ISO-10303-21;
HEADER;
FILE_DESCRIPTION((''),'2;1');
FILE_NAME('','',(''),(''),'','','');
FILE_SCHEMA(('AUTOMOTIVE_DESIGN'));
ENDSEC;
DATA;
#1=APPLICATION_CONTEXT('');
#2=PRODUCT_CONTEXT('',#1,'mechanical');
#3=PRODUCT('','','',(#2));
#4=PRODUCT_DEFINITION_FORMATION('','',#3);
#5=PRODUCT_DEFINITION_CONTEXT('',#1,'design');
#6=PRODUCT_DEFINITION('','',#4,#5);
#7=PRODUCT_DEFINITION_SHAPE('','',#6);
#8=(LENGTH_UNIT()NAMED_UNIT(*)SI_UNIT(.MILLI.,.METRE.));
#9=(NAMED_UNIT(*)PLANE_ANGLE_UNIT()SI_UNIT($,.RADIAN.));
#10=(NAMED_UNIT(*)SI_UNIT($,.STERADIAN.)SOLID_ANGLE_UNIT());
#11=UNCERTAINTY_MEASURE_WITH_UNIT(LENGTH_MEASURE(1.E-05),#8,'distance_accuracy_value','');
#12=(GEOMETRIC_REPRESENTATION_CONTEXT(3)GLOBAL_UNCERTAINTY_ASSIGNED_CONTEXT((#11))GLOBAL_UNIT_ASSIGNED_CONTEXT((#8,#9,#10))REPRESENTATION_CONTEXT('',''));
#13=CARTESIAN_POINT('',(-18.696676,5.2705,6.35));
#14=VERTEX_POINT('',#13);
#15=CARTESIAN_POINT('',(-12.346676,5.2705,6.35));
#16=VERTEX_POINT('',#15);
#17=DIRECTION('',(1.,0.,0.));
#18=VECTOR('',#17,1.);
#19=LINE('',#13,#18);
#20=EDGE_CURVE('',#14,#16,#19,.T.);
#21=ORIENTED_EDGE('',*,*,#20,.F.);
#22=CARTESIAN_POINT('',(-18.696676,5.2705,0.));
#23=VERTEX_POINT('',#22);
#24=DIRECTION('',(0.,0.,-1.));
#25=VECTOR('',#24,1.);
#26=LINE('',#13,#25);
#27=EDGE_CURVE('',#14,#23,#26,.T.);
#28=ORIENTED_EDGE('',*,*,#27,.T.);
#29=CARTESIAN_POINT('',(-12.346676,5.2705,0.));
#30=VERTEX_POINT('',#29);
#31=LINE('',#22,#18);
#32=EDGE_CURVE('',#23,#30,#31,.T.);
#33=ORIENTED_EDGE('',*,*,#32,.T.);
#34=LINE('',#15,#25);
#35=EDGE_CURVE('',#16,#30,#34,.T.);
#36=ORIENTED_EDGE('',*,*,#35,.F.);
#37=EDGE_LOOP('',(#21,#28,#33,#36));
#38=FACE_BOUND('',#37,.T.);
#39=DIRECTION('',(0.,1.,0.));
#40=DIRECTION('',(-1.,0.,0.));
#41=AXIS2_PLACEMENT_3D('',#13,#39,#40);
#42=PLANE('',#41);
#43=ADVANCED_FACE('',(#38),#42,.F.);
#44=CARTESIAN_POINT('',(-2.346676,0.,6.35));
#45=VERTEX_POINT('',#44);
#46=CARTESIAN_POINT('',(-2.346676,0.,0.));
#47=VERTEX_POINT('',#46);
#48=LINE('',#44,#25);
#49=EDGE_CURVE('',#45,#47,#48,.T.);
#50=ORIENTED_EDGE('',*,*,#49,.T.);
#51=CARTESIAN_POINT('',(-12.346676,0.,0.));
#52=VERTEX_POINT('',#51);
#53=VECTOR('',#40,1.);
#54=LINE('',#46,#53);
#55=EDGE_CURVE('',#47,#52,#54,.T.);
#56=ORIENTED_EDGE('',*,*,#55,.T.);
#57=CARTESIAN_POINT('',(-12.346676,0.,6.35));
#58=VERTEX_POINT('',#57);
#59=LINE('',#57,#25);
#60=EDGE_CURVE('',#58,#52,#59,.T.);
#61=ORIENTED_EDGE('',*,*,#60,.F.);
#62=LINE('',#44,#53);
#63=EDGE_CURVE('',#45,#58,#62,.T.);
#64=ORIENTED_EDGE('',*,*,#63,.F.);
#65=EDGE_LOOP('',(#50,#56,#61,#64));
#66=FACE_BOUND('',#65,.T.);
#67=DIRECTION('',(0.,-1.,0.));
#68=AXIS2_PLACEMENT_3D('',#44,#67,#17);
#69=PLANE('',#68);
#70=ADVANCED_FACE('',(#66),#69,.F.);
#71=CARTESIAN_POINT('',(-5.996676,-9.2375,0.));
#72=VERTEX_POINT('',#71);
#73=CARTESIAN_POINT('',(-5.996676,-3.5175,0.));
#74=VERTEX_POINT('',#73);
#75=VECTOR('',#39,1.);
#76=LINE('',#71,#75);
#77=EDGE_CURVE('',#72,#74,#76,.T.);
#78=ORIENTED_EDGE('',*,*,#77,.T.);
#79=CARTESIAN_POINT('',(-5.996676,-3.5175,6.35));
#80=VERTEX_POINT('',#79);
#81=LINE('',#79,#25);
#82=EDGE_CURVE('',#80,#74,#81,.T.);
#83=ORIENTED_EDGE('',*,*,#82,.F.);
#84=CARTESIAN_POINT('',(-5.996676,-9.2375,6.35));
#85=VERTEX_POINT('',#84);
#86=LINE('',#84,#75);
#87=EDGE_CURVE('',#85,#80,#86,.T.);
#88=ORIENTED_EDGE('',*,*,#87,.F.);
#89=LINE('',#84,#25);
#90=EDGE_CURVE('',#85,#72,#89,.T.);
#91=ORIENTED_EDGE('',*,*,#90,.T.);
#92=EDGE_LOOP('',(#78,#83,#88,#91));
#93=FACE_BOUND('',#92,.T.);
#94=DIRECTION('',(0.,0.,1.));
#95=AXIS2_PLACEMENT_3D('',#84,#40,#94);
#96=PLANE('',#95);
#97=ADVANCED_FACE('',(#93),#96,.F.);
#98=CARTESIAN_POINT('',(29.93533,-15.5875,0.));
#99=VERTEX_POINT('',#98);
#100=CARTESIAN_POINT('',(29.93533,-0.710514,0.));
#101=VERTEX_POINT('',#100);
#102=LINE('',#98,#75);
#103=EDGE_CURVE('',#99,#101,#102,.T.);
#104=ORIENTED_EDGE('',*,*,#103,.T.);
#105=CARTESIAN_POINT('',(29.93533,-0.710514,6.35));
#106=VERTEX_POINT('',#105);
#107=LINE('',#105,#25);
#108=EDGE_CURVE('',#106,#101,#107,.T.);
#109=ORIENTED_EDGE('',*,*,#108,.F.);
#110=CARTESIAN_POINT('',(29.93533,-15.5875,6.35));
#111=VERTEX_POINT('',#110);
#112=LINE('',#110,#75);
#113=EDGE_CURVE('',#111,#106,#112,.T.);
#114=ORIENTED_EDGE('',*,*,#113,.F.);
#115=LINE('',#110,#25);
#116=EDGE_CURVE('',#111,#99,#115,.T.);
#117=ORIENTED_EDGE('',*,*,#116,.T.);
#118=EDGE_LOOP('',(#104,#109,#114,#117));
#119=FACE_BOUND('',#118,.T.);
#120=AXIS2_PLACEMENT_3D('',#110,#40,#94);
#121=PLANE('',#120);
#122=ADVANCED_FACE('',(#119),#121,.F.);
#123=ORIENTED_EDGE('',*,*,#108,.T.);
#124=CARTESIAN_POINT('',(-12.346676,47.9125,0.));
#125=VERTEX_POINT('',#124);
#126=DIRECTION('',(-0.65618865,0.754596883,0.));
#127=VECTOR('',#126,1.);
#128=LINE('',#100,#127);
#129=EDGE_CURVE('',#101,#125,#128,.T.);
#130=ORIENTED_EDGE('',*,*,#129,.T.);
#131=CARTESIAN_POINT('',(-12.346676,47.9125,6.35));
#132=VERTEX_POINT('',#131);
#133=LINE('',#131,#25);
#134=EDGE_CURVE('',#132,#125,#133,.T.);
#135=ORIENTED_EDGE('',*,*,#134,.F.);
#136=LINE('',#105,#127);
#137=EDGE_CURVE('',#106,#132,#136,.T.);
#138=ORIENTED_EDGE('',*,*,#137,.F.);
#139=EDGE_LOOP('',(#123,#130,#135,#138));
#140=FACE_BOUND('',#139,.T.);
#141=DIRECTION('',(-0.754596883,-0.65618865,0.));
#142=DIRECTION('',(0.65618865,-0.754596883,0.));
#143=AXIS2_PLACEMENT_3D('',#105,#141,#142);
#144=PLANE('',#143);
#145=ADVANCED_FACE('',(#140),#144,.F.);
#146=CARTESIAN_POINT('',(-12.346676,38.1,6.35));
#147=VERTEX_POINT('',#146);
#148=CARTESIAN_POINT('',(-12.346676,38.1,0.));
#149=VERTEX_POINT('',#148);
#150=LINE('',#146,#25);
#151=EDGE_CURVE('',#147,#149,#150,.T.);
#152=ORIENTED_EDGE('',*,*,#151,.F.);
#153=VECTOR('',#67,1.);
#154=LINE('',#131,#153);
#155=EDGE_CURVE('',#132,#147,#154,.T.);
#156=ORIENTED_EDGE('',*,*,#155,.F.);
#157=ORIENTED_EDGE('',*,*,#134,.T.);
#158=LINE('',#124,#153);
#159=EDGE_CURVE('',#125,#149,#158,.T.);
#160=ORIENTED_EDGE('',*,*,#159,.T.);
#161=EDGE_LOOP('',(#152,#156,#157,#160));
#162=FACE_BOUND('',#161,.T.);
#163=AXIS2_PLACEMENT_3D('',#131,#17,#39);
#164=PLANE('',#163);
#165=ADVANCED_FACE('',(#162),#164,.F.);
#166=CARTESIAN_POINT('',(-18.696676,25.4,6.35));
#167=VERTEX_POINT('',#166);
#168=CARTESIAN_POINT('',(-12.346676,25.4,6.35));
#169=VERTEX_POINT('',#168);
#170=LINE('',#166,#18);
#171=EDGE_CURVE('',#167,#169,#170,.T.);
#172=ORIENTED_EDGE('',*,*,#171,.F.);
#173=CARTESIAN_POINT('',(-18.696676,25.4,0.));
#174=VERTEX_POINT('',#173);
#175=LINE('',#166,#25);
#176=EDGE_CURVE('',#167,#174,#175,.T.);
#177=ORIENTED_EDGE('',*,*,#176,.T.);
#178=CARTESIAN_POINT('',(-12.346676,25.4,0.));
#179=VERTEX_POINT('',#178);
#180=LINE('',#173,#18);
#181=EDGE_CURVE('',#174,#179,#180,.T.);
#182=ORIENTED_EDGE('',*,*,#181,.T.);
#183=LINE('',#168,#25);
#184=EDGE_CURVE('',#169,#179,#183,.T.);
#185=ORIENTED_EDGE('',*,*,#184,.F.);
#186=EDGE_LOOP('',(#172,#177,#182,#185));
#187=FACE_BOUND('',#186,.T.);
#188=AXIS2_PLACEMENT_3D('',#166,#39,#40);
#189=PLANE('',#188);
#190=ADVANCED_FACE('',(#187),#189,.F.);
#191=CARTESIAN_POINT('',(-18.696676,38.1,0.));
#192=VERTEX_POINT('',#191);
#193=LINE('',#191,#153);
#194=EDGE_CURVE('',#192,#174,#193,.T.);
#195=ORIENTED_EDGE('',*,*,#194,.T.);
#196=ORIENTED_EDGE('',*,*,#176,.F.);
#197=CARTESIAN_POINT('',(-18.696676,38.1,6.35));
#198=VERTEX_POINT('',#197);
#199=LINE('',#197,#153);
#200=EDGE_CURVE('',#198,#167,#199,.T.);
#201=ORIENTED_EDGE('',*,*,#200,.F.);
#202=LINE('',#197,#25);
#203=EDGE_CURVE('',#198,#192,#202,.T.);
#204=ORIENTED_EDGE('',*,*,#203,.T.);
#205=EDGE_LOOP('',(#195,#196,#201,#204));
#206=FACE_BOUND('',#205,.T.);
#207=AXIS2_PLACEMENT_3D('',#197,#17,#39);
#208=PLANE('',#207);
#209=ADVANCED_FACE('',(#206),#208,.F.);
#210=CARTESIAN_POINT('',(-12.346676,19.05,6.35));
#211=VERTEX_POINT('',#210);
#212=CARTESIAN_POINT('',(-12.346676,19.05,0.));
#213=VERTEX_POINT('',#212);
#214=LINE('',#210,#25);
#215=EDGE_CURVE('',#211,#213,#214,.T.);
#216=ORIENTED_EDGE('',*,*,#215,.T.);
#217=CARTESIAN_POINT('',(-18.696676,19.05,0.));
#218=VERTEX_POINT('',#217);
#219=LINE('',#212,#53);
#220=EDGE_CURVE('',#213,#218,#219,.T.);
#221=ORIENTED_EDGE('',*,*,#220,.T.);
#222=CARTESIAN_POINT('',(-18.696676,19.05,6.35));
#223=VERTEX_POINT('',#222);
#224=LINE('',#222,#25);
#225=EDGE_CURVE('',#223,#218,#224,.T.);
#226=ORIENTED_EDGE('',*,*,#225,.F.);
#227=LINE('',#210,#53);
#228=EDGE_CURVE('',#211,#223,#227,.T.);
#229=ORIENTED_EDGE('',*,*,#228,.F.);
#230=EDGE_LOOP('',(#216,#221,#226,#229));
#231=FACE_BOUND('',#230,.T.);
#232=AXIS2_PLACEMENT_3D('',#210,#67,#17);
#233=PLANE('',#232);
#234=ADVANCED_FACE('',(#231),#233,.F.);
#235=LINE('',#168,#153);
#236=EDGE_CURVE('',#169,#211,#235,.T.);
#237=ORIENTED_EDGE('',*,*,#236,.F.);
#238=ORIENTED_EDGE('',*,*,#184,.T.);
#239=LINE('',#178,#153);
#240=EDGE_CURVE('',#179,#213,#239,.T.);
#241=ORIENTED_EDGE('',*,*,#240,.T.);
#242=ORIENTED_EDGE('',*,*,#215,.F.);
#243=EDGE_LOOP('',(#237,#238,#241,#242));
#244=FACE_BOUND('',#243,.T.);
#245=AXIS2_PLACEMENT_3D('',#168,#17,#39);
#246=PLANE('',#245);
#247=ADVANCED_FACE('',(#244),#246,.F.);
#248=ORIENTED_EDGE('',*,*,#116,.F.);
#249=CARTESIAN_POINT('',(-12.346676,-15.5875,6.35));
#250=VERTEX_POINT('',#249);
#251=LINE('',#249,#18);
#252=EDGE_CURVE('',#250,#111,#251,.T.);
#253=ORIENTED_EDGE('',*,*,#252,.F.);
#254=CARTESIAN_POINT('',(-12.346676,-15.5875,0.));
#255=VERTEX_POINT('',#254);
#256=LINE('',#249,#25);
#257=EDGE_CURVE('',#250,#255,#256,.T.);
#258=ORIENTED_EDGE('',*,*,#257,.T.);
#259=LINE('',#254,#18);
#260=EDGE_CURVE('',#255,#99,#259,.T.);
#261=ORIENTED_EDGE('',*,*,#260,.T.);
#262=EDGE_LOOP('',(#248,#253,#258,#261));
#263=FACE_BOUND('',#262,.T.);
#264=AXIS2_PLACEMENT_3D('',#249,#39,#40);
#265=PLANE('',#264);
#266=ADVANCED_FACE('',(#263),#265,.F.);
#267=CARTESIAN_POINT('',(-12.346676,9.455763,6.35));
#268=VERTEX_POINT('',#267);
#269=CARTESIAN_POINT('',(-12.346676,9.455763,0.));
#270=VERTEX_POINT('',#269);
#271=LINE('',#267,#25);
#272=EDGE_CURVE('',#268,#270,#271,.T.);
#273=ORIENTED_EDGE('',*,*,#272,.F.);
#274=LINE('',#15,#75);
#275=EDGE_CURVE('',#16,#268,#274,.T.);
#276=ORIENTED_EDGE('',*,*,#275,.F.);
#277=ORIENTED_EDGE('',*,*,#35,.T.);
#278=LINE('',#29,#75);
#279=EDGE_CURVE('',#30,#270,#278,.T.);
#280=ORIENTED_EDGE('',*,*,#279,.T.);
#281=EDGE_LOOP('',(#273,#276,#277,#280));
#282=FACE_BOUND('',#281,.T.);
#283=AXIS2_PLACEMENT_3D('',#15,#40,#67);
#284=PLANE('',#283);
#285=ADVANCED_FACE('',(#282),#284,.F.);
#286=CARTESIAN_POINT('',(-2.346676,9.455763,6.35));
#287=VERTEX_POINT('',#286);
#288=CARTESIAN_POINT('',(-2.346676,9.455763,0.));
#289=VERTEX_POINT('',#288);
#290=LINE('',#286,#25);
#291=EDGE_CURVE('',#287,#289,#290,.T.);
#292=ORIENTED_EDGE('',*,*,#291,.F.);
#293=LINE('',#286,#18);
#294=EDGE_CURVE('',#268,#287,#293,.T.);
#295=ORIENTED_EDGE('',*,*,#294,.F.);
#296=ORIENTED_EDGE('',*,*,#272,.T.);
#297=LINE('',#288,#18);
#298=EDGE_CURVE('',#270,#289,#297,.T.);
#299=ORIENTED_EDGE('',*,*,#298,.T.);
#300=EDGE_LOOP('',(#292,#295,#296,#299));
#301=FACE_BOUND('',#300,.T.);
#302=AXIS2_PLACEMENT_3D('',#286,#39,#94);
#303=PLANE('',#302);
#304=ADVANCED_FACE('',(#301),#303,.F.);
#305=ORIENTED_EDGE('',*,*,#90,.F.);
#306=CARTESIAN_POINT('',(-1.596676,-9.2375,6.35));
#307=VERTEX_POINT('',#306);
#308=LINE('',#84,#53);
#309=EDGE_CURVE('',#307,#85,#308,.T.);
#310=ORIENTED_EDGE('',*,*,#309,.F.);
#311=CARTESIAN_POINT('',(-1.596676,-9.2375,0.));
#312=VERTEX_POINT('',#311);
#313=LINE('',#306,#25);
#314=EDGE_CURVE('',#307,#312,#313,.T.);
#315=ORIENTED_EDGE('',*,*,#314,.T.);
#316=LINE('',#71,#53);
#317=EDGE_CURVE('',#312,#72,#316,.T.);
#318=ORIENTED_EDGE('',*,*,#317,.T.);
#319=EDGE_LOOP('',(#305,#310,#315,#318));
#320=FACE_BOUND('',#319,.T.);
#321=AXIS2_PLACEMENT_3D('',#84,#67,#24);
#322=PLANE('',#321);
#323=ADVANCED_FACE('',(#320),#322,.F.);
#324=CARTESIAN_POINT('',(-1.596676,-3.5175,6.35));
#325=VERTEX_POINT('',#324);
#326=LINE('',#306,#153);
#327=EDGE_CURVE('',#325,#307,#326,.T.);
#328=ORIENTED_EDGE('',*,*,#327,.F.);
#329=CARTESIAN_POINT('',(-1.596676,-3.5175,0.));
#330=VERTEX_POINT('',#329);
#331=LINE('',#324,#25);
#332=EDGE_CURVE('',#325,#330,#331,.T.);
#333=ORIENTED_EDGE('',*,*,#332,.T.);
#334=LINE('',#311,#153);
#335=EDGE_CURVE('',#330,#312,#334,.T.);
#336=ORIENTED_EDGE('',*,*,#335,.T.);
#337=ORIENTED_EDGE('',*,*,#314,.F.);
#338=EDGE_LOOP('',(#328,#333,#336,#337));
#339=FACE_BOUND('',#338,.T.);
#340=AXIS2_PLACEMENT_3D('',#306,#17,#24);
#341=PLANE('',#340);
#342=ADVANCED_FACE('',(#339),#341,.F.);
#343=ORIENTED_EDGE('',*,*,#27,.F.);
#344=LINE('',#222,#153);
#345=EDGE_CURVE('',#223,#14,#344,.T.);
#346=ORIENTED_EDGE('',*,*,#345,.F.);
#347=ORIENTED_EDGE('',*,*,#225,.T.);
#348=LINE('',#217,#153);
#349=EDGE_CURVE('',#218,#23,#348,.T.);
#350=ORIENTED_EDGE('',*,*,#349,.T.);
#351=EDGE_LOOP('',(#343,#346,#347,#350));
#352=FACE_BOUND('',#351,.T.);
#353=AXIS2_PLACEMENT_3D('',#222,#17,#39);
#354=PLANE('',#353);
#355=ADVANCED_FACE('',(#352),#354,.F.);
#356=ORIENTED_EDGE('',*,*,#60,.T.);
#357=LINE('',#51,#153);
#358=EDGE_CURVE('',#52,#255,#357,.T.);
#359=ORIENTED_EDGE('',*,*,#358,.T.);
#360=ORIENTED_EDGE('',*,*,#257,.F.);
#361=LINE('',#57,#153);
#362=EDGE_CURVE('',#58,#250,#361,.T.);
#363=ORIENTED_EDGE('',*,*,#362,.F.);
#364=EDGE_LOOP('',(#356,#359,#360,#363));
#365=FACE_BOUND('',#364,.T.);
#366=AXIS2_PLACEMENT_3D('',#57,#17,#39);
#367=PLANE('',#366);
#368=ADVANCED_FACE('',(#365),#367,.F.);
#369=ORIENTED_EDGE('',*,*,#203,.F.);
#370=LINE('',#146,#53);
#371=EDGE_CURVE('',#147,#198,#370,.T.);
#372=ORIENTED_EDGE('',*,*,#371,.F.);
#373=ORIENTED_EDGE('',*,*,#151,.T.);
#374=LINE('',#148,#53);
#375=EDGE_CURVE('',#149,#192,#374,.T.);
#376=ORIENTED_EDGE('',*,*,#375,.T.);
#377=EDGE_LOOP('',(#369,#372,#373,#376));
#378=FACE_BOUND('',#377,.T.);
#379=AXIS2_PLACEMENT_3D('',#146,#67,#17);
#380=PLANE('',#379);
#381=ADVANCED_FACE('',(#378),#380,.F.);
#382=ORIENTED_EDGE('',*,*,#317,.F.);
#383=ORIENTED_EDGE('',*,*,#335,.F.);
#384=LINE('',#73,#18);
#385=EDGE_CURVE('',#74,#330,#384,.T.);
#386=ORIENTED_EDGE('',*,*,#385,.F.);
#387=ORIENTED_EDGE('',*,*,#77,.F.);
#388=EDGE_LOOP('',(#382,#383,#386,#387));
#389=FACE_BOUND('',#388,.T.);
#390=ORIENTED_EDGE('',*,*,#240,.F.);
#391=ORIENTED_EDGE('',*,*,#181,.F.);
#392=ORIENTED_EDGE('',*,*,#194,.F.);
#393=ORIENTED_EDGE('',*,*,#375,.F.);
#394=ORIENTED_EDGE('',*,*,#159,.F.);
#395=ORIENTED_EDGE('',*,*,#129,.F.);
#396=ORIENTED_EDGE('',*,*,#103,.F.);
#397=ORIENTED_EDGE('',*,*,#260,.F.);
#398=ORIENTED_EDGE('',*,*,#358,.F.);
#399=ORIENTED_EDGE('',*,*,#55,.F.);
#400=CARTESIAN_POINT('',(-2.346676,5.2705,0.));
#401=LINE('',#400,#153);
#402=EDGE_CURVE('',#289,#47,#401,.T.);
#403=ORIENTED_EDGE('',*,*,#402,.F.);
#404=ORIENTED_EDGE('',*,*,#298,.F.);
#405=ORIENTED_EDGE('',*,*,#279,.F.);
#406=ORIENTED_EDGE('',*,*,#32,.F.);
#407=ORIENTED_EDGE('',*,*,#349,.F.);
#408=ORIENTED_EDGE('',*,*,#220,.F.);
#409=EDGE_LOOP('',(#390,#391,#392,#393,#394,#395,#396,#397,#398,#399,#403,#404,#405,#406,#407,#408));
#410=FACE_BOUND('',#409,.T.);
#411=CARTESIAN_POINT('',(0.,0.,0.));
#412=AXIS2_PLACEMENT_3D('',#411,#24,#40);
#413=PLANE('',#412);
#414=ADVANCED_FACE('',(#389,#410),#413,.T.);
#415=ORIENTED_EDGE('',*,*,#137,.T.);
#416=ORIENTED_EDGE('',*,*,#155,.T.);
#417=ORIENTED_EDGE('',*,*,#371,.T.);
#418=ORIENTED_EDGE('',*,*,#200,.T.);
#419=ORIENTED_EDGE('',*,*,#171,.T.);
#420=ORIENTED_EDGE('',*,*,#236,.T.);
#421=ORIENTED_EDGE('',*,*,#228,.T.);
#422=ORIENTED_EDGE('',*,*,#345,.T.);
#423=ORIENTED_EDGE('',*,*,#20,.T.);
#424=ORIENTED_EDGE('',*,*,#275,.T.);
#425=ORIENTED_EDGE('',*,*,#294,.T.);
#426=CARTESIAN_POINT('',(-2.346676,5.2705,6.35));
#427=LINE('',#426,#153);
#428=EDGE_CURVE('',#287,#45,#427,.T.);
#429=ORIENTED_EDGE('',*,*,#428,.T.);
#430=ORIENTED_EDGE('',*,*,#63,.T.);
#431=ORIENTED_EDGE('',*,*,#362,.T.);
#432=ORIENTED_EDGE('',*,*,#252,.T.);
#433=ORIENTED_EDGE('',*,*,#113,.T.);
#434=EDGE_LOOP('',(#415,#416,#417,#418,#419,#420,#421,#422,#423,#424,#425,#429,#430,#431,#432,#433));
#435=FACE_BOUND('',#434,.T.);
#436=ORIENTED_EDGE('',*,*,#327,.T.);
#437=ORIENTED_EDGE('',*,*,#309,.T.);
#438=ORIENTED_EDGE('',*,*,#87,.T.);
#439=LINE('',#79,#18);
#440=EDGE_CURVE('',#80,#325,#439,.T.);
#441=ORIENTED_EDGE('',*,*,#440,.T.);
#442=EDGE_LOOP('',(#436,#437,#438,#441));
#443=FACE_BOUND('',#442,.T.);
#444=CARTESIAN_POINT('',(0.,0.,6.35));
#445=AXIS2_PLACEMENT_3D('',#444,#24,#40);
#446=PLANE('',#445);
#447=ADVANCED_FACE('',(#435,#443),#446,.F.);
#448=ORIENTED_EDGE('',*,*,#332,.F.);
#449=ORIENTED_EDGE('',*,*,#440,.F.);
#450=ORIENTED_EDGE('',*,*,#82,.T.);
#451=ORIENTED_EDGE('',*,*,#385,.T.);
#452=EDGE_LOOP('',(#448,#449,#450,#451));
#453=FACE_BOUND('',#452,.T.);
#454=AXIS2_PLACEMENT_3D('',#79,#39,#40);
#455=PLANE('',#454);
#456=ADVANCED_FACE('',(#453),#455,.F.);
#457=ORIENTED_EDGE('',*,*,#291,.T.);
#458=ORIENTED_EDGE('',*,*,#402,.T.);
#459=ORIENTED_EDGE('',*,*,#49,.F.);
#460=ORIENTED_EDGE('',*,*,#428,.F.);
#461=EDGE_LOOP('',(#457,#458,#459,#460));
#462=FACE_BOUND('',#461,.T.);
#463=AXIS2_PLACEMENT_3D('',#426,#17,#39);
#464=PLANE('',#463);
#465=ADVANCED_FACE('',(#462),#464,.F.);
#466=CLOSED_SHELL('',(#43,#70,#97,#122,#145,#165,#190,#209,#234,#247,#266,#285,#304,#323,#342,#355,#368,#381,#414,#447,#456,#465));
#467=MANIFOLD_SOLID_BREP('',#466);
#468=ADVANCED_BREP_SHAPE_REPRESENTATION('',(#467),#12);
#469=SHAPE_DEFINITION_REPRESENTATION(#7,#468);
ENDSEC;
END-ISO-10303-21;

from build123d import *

# Parameters (mm, degrees)
BOSS_EXTRUDE1_DEPTH = 6.35
SKETCH2_W           = 4.4
SKETCH2_H           = 5.72
CUT_EXTRUDE1_DEPTH  = 57.85115788


with BuildPart() as part:
    # Sketch1 → Boss-Extrude1 (new body)
    with BuildSketch(Plane.XY):
        Polygon((-12.346676125, 38.1), (-18.696676125, 38.1), (-18.696676125, 25.4), (-12.346676125, 25.4), (-12.346676125, 19.05), (-18.696676125, 19.05), (-18.696676125, 5.2705), (-12.346676125, 5.2705), (-12.346676125, 9.455763351), (-2.346676125, 9.455763351), (-2.346676125, 5.2705), (-2.346676125, 0), (-12.346676125, 0), (-12.346676125, -15.5875), (29.935330231, -15.5875), (29.935330231, -0.710514446), (-12.346676125, 47.9125), align=None)
    extrude(amount=BOSS_EXTRUDE1_DEPTH)

    # Sketch2 → Cut-Extrude1 (cut, through all)
    with BuildSketch(Plane(origin=(0, 0, 0), x_dir=(-1, 0, 0), z_dir=(0, 0, -1))):
        with Locations((3.796676125, -6.3775)):
            Rectangle(SKETCH2_W, SKETCH2_H)
    extrude(amount=-CUT_EXTRUDE1_DEPTH, mode=Mode.SUBTRACT)


solid = part.part
